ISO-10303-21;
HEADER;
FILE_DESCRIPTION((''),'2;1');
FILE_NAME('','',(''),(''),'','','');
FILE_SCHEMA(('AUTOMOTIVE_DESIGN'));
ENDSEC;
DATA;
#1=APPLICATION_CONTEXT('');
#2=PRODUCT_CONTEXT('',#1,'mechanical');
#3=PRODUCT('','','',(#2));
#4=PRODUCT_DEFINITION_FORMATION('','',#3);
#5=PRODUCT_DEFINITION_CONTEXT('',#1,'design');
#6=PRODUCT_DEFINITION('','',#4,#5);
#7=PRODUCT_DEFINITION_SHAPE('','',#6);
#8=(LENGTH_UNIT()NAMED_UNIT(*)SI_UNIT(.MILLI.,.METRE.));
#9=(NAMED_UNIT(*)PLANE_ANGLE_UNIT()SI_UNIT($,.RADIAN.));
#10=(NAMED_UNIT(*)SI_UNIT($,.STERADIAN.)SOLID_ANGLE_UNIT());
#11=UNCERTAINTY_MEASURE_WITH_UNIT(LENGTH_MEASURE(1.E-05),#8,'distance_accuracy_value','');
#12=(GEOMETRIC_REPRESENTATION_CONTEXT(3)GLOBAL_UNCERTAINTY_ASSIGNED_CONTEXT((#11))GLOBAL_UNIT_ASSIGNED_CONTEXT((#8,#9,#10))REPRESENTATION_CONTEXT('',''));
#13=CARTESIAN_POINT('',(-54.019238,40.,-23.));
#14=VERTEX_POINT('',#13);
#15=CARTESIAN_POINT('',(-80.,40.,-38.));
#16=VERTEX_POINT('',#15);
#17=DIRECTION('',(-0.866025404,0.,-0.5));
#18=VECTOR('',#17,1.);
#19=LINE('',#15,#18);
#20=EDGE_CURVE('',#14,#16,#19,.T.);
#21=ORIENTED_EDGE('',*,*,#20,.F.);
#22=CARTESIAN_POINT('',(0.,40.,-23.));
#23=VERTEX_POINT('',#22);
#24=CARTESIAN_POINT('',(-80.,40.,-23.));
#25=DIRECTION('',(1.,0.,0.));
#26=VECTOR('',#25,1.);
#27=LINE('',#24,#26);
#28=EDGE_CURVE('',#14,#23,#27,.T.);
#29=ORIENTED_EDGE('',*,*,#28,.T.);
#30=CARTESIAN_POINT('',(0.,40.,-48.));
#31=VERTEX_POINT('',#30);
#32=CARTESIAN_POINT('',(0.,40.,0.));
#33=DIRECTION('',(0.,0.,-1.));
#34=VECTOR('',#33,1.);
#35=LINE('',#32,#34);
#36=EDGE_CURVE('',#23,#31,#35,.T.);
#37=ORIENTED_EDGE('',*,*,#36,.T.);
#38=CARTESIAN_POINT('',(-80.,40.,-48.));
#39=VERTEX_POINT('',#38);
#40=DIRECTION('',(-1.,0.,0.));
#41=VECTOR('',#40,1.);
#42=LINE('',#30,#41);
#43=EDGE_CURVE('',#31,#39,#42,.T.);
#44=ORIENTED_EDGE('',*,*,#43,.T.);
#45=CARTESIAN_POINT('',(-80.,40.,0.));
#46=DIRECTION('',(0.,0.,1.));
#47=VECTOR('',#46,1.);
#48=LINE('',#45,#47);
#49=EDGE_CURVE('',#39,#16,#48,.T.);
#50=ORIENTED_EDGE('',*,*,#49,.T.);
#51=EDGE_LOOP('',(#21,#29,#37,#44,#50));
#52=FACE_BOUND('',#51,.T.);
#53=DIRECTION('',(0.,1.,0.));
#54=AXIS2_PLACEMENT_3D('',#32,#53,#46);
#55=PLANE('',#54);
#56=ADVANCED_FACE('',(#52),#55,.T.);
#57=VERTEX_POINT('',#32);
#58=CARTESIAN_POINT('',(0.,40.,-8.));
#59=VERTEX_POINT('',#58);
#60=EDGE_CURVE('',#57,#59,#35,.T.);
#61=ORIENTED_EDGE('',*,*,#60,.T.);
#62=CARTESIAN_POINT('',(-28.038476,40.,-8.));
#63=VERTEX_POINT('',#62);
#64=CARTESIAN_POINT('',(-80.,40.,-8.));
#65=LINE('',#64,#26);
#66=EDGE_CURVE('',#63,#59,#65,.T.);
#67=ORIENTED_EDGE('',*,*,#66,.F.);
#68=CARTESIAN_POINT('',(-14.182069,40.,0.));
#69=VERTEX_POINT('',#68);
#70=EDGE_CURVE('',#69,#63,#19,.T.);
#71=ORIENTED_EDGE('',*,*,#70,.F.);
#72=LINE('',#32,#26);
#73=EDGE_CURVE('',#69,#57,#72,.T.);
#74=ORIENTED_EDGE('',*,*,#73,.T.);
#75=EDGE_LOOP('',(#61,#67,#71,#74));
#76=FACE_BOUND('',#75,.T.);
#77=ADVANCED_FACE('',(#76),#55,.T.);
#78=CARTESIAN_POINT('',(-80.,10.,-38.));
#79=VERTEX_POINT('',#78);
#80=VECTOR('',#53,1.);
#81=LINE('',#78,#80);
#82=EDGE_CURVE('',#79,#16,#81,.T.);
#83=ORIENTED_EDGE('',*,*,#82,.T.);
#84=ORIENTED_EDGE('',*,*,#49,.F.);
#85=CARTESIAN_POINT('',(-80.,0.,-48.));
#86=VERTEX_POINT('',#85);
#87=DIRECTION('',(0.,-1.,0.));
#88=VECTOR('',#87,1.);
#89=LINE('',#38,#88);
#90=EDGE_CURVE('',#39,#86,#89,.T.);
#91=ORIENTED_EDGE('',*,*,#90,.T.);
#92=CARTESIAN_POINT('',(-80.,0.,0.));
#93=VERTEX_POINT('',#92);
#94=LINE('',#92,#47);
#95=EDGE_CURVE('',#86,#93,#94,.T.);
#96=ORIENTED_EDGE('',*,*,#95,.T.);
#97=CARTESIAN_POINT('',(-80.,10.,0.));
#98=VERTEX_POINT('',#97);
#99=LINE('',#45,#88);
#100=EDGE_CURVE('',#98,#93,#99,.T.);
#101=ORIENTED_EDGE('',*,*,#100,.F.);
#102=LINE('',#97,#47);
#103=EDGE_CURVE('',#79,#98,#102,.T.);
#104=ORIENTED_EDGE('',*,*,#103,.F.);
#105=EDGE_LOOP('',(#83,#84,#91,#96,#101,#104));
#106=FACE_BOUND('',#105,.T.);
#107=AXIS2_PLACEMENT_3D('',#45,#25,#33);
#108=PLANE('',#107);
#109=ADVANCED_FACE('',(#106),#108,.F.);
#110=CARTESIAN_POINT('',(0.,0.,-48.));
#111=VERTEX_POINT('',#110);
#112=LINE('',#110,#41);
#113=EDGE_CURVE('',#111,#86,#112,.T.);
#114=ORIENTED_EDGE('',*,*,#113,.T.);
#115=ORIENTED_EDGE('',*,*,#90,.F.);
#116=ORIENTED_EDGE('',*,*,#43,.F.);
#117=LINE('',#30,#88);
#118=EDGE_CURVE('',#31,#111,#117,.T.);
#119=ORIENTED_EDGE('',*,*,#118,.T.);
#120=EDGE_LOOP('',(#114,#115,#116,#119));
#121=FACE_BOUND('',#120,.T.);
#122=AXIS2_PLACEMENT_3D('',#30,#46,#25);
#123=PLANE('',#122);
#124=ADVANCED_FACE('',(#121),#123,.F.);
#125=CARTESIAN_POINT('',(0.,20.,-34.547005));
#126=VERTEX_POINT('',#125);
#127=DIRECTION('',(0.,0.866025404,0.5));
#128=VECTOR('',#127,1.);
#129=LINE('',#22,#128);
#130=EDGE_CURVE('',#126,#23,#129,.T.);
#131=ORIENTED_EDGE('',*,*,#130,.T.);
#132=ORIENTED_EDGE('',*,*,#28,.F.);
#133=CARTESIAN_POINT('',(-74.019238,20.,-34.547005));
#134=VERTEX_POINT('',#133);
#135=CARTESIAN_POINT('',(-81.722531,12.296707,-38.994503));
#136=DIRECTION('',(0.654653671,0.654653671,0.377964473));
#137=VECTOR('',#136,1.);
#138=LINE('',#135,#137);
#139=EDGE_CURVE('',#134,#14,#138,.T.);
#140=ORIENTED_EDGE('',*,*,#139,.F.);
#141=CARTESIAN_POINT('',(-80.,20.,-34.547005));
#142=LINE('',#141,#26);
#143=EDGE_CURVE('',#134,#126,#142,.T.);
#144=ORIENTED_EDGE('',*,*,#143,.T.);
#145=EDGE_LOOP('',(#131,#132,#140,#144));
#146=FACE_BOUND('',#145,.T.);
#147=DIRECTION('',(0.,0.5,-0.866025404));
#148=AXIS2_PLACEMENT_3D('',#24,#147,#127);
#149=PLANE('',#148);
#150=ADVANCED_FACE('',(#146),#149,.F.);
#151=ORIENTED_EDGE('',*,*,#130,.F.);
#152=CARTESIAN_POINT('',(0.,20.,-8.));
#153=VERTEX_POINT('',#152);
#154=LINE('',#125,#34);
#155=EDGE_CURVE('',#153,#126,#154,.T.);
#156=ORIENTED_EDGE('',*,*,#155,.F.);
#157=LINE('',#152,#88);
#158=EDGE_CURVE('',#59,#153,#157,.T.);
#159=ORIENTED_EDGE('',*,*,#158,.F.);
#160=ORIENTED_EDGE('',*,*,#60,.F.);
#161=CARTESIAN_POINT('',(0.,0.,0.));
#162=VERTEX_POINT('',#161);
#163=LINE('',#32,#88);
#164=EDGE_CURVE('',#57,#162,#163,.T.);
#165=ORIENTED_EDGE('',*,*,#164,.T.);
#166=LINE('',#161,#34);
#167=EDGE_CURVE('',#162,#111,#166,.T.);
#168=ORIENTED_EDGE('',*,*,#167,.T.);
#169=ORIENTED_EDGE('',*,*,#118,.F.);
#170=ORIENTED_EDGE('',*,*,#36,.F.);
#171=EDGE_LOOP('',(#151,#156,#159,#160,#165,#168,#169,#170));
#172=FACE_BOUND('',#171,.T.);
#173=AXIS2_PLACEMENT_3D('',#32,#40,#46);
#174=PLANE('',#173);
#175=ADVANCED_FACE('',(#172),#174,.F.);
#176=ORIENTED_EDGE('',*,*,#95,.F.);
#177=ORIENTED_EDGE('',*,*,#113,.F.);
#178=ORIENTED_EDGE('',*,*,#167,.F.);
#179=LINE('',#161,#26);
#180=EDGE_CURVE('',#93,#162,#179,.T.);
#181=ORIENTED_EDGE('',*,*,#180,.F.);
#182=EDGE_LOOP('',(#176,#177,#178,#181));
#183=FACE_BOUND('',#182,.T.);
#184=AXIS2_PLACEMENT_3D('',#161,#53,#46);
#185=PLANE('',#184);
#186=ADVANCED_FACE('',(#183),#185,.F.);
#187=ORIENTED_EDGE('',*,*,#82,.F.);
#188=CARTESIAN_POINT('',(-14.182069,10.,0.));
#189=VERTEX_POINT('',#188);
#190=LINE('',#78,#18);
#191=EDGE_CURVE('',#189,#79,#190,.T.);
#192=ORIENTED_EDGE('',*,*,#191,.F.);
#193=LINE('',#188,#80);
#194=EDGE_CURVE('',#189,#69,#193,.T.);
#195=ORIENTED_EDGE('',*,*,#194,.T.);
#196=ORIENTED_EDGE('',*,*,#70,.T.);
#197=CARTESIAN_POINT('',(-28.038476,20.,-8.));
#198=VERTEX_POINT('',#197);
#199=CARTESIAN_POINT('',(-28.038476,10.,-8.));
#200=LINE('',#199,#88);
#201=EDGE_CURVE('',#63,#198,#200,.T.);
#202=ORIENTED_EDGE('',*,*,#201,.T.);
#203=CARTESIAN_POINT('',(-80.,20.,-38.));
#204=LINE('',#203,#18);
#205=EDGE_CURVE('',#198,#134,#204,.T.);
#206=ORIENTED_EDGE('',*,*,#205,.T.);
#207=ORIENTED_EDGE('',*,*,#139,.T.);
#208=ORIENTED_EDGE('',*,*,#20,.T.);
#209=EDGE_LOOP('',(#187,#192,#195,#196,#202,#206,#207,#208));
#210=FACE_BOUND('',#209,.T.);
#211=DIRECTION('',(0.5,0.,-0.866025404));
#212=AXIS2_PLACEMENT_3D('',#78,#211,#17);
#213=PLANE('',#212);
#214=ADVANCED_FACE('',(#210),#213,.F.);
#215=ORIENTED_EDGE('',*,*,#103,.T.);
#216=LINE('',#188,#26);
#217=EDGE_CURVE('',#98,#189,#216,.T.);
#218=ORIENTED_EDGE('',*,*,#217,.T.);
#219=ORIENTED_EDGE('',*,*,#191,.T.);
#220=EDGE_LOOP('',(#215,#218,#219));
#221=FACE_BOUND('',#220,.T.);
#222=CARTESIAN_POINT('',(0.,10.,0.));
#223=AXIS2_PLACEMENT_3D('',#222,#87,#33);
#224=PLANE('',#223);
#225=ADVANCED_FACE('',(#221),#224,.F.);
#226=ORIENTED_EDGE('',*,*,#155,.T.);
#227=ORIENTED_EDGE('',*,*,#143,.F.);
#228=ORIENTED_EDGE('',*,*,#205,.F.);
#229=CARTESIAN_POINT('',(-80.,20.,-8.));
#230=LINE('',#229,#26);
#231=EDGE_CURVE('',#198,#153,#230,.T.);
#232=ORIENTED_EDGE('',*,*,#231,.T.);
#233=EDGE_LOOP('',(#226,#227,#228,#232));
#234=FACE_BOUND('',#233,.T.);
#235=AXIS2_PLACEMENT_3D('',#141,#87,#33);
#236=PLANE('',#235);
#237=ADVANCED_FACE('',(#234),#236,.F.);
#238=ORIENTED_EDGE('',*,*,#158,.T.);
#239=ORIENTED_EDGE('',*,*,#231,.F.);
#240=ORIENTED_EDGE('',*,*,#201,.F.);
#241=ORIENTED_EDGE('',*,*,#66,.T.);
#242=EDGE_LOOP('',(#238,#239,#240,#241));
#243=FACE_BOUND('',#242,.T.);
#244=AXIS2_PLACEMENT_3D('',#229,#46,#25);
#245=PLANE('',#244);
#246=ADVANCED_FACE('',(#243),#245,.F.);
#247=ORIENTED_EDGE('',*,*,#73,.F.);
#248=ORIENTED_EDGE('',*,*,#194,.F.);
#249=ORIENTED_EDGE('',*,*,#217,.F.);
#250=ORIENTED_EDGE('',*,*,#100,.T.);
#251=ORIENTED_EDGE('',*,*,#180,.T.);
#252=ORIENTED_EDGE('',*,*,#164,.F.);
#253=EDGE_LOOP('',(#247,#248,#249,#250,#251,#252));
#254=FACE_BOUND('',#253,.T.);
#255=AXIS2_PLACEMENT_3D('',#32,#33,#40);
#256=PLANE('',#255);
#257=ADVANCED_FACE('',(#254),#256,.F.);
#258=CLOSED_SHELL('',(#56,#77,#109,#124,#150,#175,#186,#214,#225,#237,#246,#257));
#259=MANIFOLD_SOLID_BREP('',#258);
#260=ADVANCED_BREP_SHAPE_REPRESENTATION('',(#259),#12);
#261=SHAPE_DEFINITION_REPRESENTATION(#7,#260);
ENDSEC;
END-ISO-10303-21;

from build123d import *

# Parameters (mm, degrees)
SKIZZE1_W                       = 80
SKIZZE1_H                       = 48
AUFSATZ_LINEAR_AUSTRAGEN1_DEPTH = 40
SCHNITT_LINEAR_AUSTRAGEN1_DEPTH = 30
SCHNITT_LINEAR_AUSTRAGEN2_DEPTH = 81


with BuildPart() as part:
    # Skizze1 → Aufsatz-Linear austragen1 (new body)
    with BuildSketch(Plane(origin=(0, 0, 0), x_dir=(1, 0, 0), z_dir=(0, 1, 0))):
        with Locations((-40, 24)):
            Rectangle(SKIZZE1_W, SKIZZE1_H)
    extrude(amount=AUFSATZ_LINEAR_AUSTRAGEN1_DEPTH)

    # Skizze2 → Schnitt-Linear austragen1 (cut)
    with BuildSketch(Plane(origin=(0, 40, 0), x_dir=(1, 0, 0), z_dir=(0, 1, 0))):
        Polygon((-80, 0), (-80, 38), (-14.182069312, 0), align=None)
    extrude(amount=-SCHNITT_LINEAR_AUSTRAGEN1_DEPTH, mode=Mode.SUBTRACT)

    # Skizze4 → Schnitt-Linear austragen2 (cut, through all)
    with BuildSketch(Plane(origin=(0, 0, 0), x_dir=(0, 0, -1), z_dir=(1, 0, 0))):
        Polygon((23, 40), (34.547005384, 20), (8, 20), (8, 40), align=None)
    extrude(amount=-SCHNITT_LINEAR_AUSTRAGEN2_DEPTH, mode=Mode.SUBTRACT)


solid = part.part
